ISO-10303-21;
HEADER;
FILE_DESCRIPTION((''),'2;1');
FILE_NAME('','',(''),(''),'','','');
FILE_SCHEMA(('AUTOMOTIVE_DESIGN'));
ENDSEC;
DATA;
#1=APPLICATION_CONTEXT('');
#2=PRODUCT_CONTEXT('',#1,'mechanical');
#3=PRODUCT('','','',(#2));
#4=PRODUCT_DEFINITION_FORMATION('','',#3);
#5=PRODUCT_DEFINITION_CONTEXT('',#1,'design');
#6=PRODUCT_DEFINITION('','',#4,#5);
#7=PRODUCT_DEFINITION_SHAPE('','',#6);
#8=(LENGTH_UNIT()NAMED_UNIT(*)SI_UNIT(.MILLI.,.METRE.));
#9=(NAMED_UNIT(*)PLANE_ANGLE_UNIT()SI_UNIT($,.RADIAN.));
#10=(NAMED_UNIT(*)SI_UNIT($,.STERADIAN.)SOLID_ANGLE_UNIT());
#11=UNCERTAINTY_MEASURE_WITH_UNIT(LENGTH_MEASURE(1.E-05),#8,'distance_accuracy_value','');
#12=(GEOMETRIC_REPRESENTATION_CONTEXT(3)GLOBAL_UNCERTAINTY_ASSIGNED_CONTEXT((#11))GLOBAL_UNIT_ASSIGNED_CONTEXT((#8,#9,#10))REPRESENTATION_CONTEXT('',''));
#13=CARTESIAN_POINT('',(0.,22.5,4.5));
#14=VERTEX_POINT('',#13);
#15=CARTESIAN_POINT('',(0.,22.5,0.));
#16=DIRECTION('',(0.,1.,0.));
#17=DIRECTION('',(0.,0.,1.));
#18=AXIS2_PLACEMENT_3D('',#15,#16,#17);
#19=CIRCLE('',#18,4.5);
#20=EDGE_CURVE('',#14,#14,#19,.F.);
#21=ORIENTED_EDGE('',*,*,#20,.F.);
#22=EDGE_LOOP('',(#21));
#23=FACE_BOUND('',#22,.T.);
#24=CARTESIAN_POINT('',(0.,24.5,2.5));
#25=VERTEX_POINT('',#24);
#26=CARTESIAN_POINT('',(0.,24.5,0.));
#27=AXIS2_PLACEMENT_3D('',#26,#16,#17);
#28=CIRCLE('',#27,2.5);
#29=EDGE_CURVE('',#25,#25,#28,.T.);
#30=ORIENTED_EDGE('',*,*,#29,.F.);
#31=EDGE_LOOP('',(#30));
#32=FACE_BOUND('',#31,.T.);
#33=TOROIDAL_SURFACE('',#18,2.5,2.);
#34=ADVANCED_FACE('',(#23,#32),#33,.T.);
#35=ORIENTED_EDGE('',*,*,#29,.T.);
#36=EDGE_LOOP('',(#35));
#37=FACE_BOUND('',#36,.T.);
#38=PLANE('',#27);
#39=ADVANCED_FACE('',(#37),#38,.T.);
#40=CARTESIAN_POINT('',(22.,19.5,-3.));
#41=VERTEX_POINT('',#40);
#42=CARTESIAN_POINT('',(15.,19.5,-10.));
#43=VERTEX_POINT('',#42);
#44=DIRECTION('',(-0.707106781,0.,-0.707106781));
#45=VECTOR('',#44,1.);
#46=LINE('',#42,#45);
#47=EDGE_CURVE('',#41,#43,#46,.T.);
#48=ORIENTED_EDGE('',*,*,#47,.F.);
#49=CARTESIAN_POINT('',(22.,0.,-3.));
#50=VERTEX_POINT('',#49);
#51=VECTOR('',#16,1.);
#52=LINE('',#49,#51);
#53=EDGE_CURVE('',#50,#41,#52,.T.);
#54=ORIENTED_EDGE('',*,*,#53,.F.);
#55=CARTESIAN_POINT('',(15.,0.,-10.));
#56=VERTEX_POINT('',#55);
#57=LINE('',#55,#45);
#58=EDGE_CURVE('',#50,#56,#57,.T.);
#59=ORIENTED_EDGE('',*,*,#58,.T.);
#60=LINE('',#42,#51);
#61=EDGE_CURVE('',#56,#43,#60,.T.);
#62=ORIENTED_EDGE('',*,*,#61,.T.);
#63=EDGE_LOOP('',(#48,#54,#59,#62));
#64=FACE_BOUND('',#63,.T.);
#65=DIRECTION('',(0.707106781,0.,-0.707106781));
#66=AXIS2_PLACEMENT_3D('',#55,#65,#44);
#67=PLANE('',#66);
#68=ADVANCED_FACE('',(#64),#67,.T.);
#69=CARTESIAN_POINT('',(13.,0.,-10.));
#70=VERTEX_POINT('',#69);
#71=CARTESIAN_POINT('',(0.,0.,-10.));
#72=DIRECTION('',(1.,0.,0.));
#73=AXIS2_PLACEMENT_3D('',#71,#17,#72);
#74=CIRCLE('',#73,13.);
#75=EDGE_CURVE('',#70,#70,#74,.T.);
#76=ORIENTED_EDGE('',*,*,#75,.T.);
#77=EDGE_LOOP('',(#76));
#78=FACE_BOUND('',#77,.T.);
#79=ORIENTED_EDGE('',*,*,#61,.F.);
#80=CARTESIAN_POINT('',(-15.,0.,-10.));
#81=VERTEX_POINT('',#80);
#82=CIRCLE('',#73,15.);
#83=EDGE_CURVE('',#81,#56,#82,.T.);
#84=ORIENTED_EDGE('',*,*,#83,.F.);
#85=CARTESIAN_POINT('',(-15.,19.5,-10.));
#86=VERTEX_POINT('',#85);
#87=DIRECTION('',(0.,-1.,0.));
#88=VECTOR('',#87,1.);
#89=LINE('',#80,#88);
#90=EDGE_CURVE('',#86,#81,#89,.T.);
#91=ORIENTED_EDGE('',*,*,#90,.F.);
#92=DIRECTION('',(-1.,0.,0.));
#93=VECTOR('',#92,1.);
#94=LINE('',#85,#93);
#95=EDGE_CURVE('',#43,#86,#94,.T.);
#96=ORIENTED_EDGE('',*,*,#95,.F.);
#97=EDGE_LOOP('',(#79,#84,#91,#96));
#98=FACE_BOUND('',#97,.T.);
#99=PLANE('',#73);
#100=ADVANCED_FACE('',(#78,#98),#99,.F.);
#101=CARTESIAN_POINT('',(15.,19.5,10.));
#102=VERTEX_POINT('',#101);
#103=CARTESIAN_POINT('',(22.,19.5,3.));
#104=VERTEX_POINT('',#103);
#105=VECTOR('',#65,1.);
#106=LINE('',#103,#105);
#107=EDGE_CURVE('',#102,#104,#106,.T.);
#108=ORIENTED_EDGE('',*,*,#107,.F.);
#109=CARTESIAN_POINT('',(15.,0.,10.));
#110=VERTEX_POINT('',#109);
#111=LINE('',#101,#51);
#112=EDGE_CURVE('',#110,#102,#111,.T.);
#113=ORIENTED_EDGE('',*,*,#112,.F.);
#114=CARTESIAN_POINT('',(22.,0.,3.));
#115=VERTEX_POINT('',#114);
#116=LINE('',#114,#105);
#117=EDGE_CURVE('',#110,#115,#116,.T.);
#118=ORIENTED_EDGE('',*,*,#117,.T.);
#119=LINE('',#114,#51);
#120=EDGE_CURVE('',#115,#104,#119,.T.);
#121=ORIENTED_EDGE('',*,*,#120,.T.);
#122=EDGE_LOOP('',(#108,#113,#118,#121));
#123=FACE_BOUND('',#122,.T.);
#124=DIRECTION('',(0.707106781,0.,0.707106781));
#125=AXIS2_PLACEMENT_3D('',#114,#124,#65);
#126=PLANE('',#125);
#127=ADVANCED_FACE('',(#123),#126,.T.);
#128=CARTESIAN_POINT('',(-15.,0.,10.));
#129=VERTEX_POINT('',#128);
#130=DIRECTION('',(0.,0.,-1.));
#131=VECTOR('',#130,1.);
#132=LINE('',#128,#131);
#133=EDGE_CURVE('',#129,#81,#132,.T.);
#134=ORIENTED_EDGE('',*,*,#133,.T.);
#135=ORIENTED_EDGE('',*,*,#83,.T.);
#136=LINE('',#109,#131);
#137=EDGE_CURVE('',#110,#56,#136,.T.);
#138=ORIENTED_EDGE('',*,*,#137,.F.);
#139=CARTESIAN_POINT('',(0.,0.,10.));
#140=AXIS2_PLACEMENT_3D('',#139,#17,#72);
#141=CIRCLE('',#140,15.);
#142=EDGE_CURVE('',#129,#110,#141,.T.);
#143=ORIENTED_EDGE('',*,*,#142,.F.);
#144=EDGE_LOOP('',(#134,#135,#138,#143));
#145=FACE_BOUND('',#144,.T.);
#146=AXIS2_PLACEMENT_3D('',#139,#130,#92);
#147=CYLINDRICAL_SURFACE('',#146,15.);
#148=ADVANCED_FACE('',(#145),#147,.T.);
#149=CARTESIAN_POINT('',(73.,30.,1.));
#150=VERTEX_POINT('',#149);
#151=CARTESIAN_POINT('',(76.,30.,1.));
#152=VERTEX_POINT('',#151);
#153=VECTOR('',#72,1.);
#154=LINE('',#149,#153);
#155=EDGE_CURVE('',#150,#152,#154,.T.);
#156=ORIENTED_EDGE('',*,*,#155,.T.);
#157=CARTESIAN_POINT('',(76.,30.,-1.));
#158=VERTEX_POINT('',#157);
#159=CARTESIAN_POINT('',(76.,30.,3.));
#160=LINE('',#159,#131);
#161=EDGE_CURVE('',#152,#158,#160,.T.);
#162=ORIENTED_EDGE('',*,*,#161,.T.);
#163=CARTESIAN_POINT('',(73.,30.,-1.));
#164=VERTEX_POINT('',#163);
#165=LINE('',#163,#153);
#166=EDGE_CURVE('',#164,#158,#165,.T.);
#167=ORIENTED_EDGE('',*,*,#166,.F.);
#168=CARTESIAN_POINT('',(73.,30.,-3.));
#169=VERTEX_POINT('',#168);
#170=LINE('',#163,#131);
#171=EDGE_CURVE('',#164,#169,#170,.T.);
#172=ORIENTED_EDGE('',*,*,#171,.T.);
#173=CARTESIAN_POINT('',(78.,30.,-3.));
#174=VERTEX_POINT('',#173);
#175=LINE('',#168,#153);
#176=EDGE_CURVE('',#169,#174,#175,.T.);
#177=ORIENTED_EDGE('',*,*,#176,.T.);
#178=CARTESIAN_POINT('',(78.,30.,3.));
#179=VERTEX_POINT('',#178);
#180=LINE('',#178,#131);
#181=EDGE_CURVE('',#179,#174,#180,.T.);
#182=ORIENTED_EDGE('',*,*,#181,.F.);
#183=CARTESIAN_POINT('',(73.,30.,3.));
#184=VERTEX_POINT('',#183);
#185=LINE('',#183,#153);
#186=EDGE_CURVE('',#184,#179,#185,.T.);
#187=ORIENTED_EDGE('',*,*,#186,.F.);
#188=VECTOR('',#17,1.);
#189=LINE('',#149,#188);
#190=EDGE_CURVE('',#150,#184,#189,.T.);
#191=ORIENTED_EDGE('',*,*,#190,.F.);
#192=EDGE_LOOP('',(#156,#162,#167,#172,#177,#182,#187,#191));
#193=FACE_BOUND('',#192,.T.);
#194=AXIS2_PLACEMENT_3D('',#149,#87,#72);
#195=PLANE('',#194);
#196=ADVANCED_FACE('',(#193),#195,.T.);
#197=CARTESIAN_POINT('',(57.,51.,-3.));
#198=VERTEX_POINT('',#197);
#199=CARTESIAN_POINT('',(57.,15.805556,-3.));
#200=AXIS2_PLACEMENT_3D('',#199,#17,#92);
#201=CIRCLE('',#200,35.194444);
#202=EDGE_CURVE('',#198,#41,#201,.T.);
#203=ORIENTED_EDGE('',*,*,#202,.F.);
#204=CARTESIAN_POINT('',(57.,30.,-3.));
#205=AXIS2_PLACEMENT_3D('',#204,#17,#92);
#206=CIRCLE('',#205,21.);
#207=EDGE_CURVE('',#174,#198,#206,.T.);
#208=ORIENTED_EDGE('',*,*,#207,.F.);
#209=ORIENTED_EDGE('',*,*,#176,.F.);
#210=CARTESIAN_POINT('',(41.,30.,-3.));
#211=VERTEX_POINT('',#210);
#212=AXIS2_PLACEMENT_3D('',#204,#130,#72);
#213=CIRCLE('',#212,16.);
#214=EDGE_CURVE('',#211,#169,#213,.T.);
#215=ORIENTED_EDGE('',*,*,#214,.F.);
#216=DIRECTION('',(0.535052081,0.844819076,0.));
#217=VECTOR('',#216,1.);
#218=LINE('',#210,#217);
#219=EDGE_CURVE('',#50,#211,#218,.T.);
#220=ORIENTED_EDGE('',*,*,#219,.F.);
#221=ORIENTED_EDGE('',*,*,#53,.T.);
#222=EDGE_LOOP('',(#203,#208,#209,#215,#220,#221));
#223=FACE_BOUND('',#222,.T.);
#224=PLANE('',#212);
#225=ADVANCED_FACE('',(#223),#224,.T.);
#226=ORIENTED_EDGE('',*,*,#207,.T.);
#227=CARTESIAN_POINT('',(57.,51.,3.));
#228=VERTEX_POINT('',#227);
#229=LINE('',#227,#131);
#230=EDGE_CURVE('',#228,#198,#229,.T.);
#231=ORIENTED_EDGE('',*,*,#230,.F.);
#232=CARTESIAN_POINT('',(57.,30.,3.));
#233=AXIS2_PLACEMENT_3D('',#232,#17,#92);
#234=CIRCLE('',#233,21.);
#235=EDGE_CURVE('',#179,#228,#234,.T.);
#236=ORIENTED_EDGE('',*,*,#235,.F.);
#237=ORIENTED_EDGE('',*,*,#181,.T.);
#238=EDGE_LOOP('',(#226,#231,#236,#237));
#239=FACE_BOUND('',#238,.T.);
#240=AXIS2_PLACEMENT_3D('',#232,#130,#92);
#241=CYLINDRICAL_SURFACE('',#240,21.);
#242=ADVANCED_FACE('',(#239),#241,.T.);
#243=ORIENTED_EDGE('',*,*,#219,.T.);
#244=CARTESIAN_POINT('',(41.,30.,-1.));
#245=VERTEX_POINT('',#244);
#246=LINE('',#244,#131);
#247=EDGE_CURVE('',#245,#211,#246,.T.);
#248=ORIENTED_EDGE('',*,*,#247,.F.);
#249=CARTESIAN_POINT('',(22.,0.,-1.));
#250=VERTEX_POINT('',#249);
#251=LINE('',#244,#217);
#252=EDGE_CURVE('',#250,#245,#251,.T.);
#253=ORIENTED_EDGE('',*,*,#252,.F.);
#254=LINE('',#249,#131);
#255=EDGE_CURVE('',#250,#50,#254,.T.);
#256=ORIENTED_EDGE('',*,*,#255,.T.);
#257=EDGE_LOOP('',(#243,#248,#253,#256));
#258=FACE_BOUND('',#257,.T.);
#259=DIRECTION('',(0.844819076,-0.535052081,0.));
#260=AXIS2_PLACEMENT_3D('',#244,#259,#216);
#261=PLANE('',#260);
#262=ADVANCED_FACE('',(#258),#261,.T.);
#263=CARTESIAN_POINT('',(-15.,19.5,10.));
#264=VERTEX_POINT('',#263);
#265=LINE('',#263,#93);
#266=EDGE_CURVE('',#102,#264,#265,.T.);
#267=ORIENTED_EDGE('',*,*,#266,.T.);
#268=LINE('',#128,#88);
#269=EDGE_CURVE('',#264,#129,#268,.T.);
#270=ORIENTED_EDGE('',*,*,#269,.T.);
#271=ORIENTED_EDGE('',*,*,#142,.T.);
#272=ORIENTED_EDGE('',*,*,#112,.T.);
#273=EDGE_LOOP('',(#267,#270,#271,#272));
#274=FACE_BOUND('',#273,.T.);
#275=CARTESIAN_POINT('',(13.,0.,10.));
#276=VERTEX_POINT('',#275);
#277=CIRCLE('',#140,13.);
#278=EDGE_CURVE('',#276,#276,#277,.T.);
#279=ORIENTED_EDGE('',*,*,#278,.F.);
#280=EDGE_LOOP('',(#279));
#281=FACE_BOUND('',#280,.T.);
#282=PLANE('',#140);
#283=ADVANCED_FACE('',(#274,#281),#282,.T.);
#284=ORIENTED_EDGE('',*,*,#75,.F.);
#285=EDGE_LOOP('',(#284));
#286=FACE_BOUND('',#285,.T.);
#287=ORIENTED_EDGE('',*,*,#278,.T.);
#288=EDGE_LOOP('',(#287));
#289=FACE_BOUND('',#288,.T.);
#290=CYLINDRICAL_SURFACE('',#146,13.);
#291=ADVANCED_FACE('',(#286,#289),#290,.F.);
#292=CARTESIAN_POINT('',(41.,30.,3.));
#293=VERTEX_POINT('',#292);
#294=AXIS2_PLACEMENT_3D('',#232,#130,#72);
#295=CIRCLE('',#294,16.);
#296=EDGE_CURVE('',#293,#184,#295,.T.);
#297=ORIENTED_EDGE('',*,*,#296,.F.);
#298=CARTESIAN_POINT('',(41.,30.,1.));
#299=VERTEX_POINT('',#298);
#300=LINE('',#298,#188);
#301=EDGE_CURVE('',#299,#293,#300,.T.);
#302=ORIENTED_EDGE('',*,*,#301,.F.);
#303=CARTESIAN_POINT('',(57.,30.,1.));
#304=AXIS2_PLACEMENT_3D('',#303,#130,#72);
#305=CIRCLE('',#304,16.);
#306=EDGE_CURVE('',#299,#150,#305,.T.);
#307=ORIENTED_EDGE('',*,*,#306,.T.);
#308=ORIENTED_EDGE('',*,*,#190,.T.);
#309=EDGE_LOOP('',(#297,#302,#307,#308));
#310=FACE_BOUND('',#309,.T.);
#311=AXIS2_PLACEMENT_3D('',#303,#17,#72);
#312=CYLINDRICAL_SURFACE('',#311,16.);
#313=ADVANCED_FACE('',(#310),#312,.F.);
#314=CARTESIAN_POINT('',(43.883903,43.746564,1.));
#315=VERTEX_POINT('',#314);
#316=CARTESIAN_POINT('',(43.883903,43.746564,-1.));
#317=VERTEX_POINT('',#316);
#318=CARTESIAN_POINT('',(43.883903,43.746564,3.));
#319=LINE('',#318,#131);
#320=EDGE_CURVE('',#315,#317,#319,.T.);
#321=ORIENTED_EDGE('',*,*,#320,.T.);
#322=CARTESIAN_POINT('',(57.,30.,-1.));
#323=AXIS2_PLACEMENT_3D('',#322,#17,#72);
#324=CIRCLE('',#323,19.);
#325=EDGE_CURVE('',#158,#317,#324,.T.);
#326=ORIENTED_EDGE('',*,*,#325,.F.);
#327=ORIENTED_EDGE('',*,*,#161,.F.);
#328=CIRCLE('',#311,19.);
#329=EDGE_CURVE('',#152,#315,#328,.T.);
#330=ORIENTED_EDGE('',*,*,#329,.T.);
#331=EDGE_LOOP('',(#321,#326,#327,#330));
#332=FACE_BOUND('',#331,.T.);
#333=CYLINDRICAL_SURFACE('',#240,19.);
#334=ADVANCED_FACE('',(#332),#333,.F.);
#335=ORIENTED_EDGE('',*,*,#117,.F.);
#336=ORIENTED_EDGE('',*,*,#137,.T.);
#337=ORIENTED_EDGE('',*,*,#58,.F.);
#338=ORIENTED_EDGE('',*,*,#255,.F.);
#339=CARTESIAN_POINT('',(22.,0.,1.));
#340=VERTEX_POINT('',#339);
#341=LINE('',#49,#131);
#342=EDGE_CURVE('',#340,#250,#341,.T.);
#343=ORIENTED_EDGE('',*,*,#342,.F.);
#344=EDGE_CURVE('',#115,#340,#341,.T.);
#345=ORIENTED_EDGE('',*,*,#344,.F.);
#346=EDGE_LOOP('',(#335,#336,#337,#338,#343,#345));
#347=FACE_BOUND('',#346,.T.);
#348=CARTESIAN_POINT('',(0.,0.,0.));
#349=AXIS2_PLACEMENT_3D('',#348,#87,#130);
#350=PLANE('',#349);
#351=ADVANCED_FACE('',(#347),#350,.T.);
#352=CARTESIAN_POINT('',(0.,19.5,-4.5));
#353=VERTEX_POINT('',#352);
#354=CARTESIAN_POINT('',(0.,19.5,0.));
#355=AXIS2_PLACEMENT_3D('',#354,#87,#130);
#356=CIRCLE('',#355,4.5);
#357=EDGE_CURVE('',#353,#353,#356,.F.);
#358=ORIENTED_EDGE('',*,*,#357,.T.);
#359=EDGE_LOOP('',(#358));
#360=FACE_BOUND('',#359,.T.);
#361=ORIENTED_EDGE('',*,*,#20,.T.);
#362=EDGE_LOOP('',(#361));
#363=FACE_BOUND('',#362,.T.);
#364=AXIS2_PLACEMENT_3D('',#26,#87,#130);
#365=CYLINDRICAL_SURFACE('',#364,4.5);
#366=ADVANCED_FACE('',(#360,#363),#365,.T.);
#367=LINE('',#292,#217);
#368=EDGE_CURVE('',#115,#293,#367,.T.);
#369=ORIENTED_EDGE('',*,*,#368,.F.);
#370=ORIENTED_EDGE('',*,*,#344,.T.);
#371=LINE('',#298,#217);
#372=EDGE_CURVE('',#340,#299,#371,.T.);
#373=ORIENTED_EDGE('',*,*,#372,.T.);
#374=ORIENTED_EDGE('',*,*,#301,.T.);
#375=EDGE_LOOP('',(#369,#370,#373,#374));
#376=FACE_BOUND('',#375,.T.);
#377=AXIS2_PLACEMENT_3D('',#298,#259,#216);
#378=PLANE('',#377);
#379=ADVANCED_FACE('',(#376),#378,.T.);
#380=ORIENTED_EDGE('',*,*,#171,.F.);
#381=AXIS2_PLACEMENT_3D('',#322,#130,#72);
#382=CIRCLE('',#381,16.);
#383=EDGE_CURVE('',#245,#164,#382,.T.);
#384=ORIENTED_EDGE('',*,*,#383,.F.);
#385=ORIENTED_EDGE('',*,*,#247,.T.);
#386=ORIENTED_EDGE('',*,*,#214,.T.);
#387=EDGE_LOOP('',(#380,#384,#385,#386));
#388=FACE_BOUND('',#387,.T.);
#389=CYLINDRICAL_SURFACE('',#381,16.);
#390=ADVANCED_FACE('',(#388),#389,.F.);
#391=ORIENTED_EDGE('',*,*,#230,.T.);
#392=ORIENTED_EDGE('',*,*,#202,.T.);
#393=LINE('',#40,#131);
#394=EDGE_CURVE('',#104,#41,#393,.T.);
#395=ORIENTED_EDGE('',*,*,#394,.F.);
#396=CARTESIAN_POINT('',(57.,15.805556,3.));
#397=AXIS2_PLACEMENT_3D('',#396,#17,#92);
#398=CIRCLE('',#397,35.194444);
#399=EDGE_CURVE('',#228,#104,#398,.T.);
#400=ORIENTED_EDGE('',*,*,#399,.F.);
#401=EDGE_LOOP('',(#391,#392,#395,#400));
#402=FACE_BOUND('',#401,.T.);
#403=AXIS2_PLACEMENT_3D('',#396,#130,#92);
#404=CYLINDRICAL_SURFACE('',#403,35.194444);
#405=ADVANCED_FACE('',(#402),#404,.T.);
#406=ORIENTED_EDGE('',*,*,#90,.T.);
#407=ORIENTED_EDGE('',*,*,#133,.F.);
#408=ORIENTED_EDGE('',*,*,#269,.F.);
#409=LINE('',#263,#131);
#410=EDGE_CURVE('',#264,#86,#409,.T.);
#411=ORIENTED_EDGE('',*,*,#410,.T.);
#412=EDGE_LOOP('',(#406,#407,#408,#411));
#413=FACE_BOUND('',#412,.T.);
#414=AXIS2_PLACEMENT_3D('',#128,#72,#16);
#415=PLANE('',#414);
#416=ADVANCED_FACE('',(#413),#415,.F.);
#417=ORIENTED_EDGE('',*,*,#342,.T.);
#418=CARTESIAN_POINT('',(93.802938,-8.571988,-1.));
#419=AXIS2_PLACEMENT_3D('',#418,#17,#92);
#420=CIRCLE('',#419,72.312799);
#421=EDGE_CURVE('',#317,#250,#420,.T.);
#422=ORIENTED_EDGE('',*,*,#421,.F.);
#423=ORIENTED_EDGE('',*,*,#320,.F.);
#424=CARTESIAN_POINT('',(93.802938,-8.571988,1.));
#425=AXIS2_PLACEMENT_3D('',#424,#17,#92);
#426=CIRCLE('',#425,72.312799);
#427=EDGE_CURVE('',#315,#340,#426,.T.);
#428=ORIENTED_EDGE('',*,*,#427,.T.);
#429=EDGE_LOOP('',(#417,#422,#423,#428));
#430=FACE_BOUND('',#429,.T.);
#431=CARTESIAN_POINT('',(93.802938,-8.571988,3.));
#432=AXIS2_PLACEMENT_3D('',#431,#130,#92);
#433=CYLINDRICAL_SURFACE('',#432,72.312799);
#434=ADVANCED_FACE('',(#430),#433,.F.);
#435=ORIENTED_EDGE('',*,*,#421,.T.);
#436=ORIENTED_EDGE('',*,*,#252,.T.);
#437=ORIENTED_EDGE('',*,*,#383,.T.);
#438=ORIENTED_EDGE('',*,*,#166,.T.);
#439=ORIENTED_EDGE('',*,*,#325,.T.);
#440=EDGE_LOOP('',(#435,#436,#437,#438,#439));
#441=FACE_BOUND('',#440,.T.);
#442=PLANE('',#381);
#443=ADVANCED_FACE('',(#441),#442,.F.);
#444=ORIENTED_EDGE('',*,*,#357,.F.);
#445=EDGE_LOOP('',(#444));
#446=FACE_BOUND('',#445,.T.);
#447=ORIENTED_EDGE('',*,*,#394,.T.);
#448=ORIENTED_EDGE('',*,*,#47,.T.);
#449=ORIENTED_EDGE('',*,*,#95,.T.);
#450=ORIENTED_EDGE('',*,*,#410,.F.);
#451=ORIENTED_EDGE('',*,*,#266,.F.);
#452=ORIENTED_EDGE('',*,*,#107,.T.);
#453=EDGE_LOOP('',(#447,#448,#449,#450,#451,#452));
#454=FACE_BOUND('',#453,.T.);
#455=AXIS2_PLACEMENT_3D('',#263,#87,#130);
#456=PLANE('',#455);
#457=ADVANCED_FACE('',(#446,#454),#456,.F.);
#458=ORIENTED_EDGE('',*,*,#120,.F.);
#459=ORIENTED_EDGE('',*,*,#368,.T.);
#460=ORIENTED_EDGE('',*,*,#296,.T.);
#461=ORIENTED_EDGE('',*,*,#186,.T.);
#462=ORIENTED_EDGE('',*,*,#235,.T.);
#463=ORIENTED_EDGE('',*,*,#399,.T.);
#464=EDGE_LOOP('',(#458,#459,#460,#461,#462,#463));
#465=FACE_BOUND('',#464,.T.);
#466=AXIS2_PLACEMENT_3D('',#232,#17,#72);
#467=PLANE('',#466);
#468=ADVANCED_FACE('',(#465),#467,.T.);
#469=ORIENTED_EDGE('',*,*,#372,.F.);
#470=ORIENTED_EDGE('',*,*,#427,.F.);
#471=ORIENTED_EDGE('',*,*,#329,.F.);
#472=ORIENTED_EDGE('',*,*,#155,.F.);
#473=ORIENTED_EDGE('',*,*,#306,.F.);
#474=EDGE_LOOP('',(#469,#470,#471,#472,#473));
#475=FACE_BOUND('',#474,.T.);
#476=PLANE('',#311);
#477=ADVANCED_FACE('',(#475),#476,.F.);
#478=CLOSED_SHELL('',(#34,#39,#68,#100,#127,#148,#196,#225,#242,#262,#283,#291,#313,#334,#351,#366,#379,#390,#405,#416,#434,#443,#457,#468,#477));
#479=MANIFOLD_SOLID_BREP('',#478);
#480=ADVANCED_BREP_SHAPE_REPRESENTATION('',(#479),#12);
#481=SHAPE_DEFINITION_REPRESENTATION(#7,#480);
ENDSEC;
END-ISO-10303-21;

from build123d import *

# Parameters (mm, degrees)
SKETCH1_R           = 13
BOSS_EXTRUDE1_DEPTH = 10
BOSS_EXTRUDE2_DEPTH = 19.5
BOSS_EXTRUDE3_DEPTH = 3
BOSS_EXTRUDE4_DEPTH = 2
SKETCH5_R           = 4.5
BOSS_EXTRUDE5_DEPTH = 5
FILLET1_R           = 2


with BuildPart() as part:
    # Sketch1 → Boss-Extrude1 (new, symmetric)
    with BuildSketch(Plane.XY):
        with BuildLine():
            Line((-15, 0), (-15, 19.5))
            Line((-15, 19.5), (15, 19.5))
            Line((15, 19.5), (15, 0))
            ThreePointArc((15, 0), (0, -15), (-15, 0))
        make_face()
        Circle(SKETCH1_R, mode=Mode.SUBTRACT)
    extrude(amount=BOSS_EXTRUDE1_DEPTH, both=True)

    # Sketch3 → Boss-Extrude2 (add)
    with BuildSketch(Plane(origin=(0, 19.5, 0), x_dir=(1, 0, 0), z_dir=(0, 1, 0))):
        Polygon((15, 10), (22, 3), (22, -3), (15, -10), align=None)
    extrude(amount=-BOSS_EXTRUDE2_DEPTH)

    # Sketch2 → Boss-Extrude3 (add, symmetric)
    with BuildSketch(Plane.XY):
        with BuildLine():
            Line((78, 30), (76, 30))
            ThreePointArc((76, 30), (64.47643512, 47.467195479), (43.88390338, 43.74656355))
            ThreePointArc((43.88390338, 43.74656355), (29.130686528, 23.779839726), (22, 0))
            Line((22, 0), (22, 19.5))
            ThreePointArc((22, 19.5), (33.456157918, 41.965380092), (57, 51))
            ThreePointArc((57, 51), (71.849242405, 44.849242405), (78, 30))
        make_face()
    extrude(amount=BOSS_EXTRUDE3_DEPTH, both=True)


with BuildPart() as body_2:
    # Sketch4 → Boss-Extrude4 (new body)
    with BuildSketch(Plane.XY.offset(3)):
        with BuildLine():
            Line((73, 30), (76, 30))
            ThreePointArc((76, 30), (64.47643512, 47.467195479), (43.88390338, 43.74656355))
            ThreePointArc((43.88390338, 43.74656355), (29.130686528, 23.779839726), (22, 0))
            Line((22, 0), (41, 30))
            ThreePointArc((41, 30), (57, 46), (73, 30))
        make_face()
    extrude(amount=-BOSS_EXTRUDE4_DEPTH)


with BuildPart() as body_3:
    # Mirror1: mirrored copy
    add(body_2.part.mirror(Plane.XY))


with BuildPart() as body_2_1:
    add(body_2.part)

    # Combine2: union body 3, part
    add(body_3.part)
    add(part.part)

    # Sketch5 → Boss-Extrude5 (add, symmetric)
    with BuildSketch(Plane(origin=(0, 19.5, 0), x_dir=(1, 0, 0), z_dir=(0, 1, 0))):
        with Locations(Location((0, 0, 0), (0, 0, 90))):
            Circle(SKETCH5_R)
    extrude(amount=BOSS_EXTRUDE5_DEPTH, both=True)

    # Fillet1
    fillet1_edges = [body_2_1.edges().sort_by_distance(p)[0] for p in [
        (0, 24.5, 4.5),
    ]]
    fillet(fillet1_edges, radius=FILLET1_R)


solid = body_2_1.part
